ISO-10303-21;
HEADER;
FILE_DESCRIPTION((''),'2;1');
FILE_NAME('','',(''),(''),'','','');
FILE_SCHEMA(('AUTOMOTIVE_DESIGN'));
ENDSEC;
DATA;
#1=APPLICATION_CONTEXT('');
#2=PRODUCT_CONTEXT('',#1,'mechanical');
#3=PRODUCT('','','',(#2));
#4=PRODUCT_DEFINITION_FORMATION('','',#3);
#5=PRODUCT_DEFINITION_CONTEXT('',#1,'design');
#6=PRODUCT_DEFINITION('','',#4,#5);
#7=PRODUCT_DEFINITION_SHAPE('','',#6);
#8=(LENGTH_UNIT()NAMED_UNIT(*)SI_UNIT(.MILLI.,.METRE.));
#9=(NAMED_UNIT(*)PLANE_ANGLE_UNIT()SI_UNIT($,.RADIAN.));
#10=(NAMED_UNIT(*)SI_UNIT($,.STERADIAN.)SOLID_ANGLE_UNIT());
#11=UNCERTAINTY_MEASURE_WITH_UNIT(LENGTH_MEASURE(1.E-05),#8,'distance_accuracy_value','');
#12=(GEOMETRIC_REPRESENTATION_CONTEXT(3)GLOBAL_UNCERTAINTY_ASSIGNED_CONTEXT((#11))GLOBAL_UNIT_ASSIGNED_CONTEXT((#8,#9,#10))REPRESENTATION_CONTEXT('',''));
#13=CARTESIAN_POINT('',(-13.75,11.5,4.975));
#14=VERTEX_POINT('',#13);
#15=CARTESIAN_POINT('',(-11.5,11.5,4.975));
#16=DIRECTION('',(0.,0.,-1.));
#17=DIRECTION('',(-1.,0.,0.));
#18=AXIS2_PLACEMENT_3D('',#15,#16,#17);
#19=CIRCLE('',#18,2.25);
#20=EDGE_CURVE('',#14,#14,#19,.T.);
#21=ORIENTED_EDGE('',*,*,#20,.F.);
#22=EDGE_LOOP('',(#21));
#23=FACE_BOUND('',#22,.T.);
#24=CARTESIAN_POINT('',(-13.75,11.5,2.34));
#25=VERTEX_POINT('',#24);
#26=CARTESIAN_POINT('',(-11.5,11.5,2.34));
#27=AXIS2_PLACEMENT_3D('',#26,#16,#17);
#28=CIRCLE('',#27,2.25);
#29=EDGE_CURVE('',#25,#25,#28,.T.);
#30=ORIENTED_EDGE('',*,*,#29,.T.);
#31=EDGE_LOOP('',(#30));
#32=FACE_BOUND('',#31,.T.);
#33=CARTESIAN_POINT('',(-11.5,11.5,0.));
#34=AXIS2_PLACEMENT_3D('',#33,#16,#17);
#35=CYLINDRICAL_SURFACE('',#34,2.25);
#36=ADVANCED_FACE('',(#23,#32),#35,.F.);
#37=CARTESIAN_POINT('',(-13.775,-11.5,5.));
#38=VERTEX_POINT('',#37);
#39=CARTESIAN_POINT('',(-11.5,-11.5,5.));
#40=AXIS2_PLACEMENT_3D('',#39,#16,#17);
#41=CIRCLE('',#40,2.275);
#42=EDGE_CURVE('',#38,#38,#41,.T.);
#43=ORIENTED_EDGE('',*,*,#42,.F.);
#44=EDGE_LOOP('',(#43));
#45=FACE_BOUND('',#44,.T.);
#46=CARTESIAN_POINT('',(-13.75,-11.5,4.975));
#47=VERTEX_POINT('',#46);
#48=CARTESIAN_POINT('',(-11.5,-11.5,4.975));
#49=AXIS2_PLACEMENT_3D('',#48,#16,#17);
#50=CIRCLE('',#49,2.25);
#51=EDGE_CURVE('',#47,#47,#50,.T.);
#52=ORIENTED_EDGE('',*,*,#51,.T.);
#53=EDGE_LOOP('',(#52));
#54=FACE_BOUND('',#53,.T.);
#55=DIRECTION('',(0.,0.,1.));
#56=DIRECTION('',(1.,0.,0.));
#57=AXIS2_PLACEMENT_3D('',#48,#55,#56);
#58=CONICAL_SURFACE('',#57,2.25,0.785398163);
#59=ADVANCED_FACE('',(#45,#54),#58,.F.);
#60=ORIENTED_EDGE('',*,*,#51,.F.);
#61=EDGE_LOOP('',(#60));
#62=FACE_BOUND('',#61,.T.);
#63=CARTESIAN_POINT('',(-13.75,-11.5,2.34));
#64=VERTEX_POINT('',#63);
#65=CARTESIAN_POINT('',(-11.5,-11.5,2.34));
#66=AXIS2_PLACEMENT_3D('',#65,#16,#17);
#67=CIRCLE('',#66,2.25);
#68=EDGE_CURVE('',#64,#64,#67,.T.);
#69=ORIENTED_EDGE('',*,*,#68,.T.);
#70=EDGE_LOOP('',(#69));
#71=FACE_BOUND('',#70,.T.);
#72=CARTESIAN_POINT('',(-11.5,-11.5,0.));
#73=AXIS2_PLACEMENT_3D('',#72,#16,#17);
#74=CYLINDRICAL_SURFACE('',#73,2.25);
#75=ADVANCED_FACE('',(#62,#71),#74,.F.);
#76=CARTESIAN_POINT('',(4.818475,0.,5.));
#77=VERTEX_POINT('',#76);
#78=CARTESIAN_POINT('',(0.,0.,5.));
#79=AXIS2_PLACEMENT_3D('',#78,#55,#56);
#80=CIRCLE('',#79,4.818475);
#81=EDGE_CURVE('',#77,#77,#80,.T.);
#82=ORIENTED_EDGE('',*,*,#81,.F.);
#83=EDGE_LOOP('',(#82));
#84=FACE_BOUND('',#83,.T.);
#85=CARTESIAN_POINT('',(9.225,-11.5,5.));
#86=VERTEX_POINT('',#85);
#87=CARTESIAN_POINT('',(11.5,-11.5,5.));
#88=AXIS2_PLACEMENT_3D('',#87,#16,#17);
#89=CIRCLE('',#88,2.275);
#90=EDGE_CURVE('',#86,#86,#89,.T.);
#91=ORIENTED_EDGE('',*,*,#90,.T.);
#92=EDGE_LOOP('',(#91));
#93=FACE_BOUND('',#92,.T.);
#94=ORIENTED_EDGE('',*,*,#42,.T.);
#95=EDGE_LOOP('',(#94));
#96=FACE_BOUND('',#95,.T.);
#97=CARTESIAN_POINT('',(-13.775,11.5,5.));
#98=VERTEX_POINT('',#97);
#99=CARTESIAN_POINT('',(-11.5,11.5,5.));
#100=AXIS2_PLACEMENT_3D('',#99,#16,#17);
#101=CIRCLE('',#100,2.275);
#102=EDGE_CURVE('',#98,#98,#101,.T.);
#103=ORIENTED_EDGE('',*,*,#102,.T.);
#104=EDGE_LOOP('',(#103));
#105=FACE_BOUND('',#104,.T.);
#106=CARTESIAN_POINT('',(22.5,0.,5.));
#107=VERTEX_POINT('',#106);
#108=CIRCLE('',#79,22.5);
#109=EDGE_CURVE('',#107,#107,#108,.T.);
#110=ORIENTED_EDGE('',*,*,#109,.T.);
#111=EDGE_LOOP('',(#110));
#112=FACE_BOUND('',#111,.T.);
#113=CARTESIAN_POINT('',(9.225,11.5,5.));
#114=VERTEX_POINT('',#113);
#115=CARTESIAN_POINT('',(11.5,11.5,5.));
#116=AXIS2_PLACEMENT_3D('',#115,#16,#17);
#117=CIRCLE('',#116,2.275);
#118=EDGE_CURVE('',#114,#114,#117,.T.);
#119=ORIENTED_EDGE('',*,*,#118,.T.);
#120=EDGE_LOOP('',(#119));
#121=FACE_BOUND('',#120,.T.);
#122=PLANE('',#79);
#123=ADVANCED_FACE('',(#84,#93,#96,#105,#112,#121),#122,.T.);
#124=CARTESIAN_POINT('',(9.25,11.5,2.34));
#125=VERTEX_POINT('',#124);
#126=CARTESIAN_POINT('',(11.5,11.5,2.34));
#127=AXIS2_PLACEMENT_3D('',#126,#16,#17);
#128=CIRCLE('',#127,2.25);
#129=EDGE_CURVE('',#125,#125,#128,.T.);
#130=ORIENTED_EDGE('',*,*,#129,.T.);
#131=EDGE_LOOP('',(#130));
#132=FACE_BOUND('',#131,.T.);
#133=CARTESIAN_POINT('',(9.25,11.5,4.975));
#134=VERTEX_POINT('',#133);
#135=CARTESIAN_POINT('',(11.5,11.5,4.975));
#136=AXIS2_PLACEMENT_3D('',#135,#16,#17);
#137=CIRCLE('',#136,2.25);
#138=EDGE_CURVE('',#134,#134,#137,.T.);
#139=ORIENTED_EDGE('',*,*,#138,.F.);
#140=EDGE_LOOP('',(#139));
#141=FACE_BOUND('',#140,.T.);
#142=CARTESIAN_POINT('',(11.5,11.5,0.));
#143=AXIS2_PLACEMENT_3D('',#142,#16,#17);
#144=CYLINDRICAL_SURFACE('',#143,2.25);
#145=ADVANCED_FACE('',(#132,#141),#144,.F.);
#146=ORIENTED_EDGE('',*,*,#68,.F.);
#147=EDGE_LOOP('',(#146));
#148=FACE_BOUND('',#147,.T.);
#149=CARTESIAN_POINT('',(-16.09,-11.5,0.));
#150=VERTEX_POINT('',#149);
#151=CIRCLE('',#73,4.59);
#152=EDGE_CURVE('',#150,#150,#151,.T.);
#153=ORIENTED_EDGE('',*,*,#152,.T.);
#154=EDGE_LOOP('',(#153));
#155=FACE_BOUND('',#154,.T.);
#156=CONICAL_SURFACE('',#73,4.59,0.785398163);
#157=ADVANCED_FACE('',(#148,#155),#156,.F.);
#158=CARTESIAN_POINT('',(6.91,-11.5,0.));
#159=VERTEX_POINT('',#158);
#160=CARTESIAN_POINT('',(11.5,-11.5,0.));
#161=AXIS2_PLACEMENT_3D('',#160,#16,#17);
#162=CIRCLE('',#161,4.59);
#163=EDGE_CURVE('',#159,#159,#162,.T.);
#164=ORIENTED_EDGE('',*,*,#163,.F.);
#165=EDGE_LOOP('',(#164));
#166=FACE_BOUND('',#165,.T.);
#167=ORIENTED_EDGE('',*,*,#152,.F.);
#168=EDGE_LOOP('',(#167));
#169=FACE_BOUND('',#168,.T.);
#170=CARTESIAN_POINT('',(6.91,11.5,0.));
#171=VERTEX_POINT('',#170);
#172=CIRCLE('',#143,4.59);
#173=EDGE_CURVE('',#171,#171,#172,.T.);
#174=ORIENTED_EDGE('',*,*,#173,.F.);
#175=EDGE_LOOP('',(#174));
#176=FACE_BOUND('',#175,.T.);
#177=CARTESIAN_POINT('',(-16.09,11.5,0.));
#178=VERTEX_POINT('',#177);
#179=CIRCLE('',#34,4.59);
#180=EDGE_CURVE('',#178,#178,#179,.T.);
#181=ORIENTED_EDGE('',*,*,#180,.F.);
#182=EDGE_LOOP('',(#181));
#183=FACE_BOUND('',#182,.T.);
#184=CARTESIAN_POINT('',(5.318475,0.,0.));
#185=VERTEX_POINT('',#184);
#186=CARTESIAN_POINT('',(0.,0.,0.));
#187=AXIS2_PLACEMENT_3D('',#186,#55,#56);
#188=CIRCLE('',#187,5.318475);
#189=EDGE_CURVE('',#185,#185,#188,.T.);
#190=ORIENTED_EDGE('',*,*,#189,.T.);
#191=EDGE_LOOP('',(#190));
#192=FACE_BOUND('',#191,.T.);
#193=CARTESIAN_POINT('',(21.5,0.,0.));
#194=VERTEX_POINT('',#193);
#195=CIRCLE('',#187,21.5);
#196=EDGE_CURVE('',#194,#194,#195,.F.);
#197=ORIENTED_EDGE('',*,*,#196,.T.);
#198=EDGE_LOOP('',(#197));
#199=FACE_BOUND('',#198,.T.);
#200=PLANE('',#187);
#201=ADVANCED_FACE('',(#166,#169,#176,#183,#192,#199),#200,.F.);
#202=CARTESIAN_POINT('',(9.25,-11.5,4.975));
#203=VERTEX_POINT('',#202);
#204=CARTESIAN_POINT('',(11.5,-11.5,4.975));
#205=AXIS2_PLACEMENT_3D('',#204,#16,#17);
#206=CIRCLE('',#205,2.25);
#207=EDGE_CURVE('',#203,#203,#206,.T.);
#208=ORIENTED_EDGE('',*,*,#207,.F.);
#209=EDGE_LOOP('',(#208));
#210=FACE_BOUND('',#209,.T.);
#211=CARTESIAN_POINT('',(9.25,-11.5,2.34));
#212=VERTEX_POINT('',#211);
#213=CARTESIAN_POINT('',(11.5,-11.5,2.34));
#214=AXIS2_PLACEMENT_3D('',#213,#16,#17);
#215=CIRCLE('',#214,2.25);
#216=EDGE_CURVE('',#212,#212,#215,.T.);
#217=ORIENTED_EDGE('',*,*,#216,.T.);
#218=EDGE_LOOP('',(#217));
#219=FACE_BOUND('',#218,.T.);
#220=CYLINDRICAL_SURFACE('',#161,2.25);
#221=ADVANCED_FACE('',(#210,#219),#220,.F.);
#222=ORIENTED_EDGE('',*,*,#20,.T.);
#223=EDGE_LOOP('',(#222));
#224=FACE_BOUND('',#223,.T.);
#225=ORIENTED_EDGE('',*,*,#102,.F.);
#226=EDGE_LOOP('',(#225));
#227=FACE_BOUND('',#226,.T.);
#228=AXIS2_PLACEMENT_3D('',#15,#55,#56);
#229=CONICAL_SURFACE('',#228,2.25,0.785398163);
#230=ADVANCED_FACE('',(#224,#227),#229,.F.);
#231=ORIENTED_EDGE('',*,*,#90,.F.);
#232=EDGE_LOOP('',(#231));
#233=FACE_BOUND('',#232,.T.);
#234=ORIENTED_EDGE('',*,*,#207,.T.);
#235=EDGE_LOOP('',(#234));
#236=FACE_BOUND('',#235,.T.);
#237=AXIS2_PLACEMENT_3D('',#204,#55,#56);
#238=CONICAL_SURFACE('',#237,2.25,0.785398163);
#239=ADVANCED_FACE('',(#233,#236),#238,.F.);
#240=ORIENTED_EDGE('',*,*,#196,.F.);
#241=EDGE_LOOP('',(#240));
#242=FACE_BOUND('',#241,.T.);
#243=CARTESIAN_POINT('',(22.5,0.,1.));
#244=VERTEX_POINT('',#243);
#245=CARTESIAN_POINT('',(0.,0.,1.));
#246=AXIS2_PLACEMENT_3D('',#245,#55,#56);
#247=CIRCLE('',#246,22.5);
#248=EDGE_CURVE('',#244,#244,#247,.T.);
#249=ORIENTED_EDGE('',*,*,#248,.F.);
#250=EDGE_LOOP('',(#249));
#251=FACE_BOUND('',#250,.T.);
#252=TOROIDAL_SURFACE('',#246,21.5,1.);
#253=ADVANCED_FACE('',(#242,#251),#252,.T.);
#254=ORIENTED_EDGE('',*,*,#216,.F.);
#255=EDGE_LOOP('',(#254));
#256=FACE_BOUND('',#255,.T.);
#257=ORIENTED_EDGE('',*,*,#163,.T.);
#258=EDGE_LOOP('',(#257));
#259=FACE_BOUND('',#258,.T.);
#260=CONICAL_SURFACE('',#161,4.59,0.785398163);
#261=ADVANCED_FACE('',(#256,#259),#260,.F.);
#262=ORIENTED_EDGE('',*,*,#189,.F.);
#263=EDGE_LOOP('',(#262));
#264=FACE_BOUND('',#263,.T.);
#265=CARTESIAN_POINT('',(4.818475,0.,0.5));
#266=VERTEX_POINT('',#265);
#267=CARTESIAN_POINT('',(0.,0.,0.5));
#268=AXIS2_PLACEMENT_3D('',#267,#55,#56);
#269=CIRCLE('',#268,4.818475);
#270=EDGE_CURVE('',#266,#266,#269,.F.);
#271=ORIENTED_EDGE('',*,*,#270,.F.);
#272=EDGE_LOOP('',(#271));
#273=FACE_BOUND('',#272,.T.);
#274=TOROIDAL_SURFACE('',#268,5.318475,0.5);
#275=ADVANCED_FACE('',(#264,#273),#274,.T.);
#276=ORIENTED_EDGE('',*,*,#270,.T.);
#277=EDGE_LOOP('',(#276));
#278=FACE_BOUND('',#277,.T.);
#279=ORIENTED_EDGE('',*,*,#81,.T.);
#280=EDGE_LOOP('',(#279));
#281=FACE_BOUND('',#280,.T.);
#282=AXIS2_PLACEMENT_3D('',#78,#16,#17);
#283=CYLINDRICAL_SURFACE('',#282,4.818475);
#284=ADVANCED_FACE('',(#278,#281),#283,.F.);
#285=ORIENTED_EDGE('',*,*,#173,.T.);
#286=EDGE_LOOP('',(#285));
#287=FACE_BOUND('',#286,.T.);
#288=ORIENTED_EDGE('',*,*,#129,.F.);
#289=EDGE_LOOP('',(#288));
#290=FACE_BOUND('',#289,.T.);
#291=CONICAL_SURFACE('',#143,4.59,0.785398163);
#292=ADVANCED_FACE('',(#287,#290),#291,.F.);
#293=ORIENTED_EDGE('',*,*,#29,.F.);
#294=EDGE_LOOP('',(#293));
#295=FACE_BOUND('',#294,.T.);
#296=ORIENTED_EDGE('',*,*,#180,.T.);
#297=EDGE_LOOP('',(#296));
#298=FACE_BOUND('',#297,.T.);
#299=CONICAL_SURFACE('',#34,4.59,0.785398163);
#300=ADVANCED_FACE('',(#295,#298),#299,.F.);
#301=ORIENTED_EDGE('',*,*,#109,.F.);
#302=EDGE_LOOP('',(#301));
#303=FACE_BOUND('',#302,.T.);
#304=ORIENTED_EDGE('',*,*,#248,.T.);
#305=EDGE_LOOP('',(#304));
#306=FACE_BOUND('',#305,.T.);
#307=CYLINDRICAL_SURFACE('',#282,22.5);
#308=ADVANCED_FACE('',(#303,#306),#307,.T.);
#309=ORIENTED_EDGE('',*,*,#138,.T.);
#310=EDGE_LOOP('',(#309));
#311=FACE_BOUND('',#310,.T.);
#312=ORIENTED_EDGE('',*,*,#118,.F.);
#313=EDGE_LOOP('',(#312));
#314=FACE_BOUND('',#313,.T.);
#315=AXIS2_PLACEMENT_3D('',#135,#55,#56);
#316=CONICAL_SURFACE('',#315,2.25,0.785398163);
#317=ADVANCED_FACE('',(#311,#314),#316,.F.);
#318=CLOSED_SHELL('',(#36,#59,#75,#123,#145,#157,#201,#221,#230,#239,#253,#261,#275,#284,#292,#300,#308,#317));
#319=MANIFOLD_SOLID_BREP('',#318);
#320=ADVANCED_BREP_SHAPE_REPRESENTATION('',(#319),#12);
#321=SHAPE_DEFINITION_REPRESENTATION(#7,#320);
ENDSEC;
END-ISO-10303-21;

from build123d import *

# Parameters (mm, degrees)
SKIZZE1_R                                   = 22.5
SKIZZE1_R_2                                 = 4.818475195
SKIZZE1_R_3                                 = 2
AUFSATZ_LINEAR_AUSTRAGEN1_DEPTH             = 5
VERRUNDUNG1_R                               = 1
VERRUNDUNG2_R                               = 0.5
FORMSENKUNG_F_R_M4_SENKSCHRAUBE_MIT_2_COUNT = 2
FORMSENKUNG_F_R_M4_SENKSCHRAUBE_MIT_2_PITCH = 23
FORMSENKUNG_F_R_M4_SENKSCHRAUBE_MIT_3_COUNT = 2
FORMSENKUNG_F_R_M4_SENKSCHRAUBE_MIT_3_PITCH = 23
FORMSENKUNG_F_R_M4_SENKSCHRAUBE_MIT_4_COUNT = 2
FORMSENKUNG_F_R_M4_SENKSCHRAUBE_MIT_4_PITCH = 32.526911935


with BuildPart() as part:
    # Skizze1 → Aufsatz-Linear austragen1 (new body)
    with BuildSketch(Plane.XY):
        Circle(SKIZZE1_R)
        Circle(SKIZZE1_R_2, mode=Mode.SUBTRACT)
        with Locations((-11.5, 11.5)):
            Circle(SKIZZE1_R_3, mode=Mode.SUBTRACT)
        with Locations((11.5, 11.5)):
            Circle(SKIZZE1_R_3, mode=Mode.SUBTRACT)
        with Locations((-11.5, -11.5)):
            Circle(SKIZZE1_R_3, mode=Mode.SUBTRACT)
        with Locations((11.5, -11.5)):
            Circle(SKIZZE1_R_3, mode=Mode.SUBTRACT)
    extrude(amount=AUFSATZ_LINEAR_AUSTRAGEN1_DEPTH)

    # Verrundung1
    verrundung1_edges = [part.edges().sort_by_distance(p)[0] for p in [
        (-22.5, 0, 0),
    ]]
    fillet(verrundung1_edges, radius=VERRUNDUNG1_R)

    # Verrundung2
    verrundung2_edges = [part.edges().sort_by_distance(p)[0] for p in [
        (-4.818475195, 0, 0),
    ]]
    fillet(verrundung2_edges, radius=VERRUNDUNG2_R)

    # Skizze2 → Formsenkung für M4 Senkschraube mit Innensechskant1 (revolve, cut)
    with BuildSketch(Plane(origin=(11.5, 11.5, 0), x_dir=(0, 1, 0), z_dir=(1, 0, 0))):
        Polygon((0, 0), (0, 5), (2.275, 5), (2.25, 4.975), (2.25, 2.34), (4.59, 0), align=None)
    formsenkung_f_r_m4_senkschraube_mit_inne = revolve(axis=Axis((11.5, 11.5, -6.35), (0, 0, 1)), mode=Mode.SUBTRACT)

    # Formsenkung f_r M4 Senkschraube mit  2: Formsenkung für M4 Senkschraube mit Innensechskant1 ×2
    with Locations(*[(-i * FORMSENKUNG_F_R_M4_SENKSCHRAUBE_MIT_2_PITCH, 0, 0) for i in range(1, FORMSENKUNG_F_R_M4_SENKSCHRAUBE_MIT_2_COUNT)]):
        add(formsenkung_f_r_m4_senkschraube_mit_inne, mode=Mode.SUBTRACT)

    # Formsenkung f_r M4 Senkschraube mit  3: Formsenkung für M4 Senkschraube mit Innensechskant1 ×2
    with Locations(*[(0, -i * FORMSENKUNG_F_R_M4_SENKSCHRAUBE_MIT_3_PITCH, 0) for i in range(1, FORMSENKUNG_F_R_M4_SENKSCHRAUBE_MIT_3_COUNT)]):
        add(formsenkung_f_r_m4_senkschraube_mit_inne, mode=Mode.SUBTRACT)

    # Formsenkung f_r M4 Senkschraube mit  4: Formsenkung für M4 Senkschraube mit Innensechskant1 ×2
    with Locations(*[Vector(-0.7071067811865476, -0.7071067811865476, 0) * (i * FORMSENKUNG_F_R_M4_SENKSCHRAUBE_MIT_4_PITCH) for i in range(1, FORMSENKUNG_F_R_M4_SENKSCHRAUBE_MIT_4_COUNT)]):
        add(formsenkung_f_r_m4_senkschraube_mit_inne, mode=Mode.SUBTRACT)


solid = part.part
